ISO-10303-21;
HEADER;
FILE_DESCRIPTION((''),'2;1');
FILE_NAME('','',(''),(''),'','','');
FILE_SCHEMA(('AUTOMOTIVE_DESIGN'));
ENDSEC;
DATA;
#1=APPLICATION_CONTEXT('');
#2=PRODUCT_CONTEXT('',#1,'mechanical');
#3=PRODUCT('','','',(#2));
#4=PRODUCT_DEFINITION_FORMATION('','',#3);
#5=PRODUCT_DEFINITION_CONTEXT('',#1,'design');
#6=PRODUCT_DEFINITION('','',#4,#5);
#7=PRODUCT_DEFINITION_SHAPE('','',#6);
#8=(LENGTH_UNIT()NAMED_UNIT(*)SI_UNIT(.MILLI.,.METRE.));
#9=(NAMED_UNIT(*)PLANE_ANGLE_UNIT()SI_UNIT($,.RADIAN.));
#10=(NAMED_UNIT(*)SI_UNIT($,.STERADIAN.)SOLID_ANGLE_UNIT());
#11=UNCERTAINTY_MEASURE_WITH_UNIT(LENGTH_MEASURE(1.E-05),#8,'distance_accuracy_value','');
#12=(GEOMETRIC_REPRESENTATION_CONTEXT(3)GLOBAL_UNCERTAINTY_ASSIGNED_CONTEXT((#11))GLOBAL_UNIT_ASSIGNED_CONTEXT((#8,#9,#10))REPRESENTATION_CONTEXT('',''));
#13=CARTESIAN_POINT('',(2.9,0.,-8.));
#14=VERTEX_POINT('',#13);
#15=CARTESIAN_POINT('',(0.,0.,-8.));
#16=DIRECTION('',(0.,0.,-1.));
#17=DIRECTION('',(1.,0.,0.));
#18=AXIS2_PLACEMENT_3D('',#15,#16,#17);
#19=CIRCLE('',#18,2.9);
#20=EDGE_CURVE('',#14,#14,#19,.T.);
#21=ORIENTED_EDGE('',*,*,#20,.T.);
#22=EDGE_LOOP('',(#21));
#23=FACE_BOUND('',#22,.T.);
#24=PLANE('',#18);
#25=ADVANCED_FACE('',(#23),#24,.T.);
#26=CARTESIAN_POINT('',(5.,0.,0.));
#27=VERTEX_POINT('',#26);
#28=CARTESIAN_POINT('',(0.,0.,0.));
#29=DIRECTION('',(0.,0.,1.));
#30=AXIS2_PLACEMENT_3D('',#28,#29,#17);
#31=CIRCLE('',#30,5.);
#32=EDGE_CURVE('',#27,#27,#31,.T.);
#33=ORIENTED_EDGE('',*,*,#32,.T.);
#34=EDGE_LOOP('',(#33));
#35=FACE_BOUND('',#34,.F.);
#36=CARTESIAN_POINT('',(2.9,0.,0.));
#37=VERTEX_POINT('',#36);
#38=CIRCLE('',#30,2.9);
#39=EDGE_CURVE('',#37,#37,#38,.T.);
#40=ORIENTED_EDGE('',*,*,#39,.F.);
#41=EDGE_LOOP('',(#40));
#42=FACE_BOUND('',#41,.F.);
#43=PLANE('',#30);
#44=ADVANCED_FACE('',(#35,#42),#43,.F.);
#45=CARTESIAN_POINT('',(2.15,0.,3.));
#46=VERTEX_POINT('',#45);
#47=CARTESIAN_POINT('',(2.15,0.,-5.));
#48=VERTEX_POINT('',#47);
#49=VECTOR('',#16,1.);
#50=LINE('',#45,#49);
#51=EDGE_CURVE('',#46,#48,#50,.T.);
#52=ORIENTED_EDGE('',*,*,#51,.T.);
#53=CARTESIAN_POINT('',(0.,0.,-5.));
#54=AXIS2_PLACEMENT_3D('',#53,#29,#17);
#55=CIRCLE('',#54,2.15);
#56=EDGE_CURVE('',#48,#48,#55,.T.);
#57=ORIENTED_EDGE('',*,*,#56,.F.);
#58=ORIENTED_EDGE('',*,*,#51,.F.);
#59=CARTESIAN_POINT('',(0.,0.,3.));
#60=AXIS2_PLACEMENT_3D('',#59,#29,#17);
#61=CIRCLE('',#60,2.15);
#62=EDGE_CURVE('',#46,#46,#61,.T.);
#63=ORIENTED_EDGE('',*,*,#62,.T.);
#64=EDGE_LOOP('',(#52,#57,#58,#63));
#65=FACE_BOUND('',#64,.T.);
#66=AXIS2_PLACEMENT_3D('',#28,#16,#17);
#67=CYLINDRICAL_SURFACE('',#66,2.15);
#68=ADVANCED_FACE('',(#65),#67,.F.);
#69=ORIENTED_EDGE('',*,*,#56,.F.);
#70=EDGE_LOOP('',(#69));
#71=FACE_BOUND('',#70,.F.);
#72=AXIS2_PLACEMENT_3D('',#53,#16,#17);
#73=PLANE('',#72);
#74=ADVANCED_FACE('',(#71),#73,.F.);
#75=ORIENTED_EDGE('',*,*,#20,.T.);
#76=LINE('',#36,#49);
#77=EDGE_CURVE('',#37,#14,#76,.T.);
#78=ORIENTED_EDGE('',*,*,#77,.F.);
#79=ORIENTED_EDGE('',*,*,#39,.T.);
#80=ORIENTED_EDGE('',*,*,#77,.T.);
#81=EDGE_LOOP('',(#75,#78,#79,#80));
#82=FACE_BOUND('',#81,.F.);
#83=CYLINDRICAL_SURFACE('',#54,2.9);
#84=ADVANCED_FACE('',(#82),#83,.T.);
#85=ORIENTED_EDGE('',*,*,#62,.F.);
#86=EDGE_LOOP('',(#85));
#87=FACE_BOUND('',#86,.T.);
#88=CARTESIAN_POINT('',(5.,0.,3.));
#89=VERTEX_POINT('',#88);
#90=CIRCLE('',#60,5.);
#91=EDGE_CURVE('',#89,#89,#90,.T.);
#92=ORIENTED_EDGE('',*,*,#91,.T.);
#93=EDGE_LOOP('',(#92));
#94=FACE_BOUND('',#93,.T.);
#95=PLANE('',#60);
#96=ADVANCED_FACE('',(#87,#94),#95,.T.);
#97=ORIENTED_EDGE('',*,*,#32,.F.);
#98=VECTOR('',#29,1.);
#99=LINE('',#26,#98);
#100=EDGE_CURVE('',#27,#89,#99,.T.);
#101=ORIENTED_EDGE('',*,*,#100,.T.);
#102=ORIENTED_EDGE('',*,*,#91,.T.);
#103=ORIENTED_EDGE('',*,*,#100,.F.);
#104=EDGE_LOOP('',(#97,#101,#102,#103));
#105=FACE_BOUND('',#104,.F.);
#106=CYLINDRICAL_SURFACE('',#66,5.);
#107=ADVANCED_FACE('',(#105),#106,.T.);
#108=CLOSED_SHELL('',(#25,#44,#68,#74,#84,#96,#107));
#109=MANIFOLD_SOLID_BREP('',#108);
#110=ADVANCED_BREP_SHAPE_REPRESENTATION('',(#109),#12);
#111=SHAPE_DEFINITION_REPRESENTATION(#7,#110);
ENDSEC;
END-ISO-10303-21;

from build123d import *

# Parameters (mm, degrees)
F0_R     = 5
F0_R_2   = 2.9
F0_R_3   = 2.15
F1_DEPTH = 3
F2_DEPTH = 5
F3_R     = 2.9
F4_DEPTH = 3


with BuildPart() as f1:
    # F0 (on Top) → F1 (new body)
    with BuildSketch(Plane.XY):
        Circle(F0_R)
        Circle(F0_R_2, mode=Mode.SUBTRACT)
        Circle(F0_R_2)
        Circle(F0_R_3, mode=Mode.SUBTRACT)
    extrude(amount=F1_DEPTH)

    # F0 (on Top) → F2 (join)
    with BuildSketch(Plane.XY):
        Circle(F0_R_2)
        Circle(F0_R_3, mode=Mode.SUBTRACT)
    extrude(amount=-F2_DEPTH)

    # F3 (on face) → F4 (join)
    with BuildSketch(Plane(origin=(0, 0, -5), x_dir=(1, 0, 0), z_dir=(0, 0, -1))):
        Circle(F3_R)
    extrude(amount=F4_DEPTH)


solid = f1.part
